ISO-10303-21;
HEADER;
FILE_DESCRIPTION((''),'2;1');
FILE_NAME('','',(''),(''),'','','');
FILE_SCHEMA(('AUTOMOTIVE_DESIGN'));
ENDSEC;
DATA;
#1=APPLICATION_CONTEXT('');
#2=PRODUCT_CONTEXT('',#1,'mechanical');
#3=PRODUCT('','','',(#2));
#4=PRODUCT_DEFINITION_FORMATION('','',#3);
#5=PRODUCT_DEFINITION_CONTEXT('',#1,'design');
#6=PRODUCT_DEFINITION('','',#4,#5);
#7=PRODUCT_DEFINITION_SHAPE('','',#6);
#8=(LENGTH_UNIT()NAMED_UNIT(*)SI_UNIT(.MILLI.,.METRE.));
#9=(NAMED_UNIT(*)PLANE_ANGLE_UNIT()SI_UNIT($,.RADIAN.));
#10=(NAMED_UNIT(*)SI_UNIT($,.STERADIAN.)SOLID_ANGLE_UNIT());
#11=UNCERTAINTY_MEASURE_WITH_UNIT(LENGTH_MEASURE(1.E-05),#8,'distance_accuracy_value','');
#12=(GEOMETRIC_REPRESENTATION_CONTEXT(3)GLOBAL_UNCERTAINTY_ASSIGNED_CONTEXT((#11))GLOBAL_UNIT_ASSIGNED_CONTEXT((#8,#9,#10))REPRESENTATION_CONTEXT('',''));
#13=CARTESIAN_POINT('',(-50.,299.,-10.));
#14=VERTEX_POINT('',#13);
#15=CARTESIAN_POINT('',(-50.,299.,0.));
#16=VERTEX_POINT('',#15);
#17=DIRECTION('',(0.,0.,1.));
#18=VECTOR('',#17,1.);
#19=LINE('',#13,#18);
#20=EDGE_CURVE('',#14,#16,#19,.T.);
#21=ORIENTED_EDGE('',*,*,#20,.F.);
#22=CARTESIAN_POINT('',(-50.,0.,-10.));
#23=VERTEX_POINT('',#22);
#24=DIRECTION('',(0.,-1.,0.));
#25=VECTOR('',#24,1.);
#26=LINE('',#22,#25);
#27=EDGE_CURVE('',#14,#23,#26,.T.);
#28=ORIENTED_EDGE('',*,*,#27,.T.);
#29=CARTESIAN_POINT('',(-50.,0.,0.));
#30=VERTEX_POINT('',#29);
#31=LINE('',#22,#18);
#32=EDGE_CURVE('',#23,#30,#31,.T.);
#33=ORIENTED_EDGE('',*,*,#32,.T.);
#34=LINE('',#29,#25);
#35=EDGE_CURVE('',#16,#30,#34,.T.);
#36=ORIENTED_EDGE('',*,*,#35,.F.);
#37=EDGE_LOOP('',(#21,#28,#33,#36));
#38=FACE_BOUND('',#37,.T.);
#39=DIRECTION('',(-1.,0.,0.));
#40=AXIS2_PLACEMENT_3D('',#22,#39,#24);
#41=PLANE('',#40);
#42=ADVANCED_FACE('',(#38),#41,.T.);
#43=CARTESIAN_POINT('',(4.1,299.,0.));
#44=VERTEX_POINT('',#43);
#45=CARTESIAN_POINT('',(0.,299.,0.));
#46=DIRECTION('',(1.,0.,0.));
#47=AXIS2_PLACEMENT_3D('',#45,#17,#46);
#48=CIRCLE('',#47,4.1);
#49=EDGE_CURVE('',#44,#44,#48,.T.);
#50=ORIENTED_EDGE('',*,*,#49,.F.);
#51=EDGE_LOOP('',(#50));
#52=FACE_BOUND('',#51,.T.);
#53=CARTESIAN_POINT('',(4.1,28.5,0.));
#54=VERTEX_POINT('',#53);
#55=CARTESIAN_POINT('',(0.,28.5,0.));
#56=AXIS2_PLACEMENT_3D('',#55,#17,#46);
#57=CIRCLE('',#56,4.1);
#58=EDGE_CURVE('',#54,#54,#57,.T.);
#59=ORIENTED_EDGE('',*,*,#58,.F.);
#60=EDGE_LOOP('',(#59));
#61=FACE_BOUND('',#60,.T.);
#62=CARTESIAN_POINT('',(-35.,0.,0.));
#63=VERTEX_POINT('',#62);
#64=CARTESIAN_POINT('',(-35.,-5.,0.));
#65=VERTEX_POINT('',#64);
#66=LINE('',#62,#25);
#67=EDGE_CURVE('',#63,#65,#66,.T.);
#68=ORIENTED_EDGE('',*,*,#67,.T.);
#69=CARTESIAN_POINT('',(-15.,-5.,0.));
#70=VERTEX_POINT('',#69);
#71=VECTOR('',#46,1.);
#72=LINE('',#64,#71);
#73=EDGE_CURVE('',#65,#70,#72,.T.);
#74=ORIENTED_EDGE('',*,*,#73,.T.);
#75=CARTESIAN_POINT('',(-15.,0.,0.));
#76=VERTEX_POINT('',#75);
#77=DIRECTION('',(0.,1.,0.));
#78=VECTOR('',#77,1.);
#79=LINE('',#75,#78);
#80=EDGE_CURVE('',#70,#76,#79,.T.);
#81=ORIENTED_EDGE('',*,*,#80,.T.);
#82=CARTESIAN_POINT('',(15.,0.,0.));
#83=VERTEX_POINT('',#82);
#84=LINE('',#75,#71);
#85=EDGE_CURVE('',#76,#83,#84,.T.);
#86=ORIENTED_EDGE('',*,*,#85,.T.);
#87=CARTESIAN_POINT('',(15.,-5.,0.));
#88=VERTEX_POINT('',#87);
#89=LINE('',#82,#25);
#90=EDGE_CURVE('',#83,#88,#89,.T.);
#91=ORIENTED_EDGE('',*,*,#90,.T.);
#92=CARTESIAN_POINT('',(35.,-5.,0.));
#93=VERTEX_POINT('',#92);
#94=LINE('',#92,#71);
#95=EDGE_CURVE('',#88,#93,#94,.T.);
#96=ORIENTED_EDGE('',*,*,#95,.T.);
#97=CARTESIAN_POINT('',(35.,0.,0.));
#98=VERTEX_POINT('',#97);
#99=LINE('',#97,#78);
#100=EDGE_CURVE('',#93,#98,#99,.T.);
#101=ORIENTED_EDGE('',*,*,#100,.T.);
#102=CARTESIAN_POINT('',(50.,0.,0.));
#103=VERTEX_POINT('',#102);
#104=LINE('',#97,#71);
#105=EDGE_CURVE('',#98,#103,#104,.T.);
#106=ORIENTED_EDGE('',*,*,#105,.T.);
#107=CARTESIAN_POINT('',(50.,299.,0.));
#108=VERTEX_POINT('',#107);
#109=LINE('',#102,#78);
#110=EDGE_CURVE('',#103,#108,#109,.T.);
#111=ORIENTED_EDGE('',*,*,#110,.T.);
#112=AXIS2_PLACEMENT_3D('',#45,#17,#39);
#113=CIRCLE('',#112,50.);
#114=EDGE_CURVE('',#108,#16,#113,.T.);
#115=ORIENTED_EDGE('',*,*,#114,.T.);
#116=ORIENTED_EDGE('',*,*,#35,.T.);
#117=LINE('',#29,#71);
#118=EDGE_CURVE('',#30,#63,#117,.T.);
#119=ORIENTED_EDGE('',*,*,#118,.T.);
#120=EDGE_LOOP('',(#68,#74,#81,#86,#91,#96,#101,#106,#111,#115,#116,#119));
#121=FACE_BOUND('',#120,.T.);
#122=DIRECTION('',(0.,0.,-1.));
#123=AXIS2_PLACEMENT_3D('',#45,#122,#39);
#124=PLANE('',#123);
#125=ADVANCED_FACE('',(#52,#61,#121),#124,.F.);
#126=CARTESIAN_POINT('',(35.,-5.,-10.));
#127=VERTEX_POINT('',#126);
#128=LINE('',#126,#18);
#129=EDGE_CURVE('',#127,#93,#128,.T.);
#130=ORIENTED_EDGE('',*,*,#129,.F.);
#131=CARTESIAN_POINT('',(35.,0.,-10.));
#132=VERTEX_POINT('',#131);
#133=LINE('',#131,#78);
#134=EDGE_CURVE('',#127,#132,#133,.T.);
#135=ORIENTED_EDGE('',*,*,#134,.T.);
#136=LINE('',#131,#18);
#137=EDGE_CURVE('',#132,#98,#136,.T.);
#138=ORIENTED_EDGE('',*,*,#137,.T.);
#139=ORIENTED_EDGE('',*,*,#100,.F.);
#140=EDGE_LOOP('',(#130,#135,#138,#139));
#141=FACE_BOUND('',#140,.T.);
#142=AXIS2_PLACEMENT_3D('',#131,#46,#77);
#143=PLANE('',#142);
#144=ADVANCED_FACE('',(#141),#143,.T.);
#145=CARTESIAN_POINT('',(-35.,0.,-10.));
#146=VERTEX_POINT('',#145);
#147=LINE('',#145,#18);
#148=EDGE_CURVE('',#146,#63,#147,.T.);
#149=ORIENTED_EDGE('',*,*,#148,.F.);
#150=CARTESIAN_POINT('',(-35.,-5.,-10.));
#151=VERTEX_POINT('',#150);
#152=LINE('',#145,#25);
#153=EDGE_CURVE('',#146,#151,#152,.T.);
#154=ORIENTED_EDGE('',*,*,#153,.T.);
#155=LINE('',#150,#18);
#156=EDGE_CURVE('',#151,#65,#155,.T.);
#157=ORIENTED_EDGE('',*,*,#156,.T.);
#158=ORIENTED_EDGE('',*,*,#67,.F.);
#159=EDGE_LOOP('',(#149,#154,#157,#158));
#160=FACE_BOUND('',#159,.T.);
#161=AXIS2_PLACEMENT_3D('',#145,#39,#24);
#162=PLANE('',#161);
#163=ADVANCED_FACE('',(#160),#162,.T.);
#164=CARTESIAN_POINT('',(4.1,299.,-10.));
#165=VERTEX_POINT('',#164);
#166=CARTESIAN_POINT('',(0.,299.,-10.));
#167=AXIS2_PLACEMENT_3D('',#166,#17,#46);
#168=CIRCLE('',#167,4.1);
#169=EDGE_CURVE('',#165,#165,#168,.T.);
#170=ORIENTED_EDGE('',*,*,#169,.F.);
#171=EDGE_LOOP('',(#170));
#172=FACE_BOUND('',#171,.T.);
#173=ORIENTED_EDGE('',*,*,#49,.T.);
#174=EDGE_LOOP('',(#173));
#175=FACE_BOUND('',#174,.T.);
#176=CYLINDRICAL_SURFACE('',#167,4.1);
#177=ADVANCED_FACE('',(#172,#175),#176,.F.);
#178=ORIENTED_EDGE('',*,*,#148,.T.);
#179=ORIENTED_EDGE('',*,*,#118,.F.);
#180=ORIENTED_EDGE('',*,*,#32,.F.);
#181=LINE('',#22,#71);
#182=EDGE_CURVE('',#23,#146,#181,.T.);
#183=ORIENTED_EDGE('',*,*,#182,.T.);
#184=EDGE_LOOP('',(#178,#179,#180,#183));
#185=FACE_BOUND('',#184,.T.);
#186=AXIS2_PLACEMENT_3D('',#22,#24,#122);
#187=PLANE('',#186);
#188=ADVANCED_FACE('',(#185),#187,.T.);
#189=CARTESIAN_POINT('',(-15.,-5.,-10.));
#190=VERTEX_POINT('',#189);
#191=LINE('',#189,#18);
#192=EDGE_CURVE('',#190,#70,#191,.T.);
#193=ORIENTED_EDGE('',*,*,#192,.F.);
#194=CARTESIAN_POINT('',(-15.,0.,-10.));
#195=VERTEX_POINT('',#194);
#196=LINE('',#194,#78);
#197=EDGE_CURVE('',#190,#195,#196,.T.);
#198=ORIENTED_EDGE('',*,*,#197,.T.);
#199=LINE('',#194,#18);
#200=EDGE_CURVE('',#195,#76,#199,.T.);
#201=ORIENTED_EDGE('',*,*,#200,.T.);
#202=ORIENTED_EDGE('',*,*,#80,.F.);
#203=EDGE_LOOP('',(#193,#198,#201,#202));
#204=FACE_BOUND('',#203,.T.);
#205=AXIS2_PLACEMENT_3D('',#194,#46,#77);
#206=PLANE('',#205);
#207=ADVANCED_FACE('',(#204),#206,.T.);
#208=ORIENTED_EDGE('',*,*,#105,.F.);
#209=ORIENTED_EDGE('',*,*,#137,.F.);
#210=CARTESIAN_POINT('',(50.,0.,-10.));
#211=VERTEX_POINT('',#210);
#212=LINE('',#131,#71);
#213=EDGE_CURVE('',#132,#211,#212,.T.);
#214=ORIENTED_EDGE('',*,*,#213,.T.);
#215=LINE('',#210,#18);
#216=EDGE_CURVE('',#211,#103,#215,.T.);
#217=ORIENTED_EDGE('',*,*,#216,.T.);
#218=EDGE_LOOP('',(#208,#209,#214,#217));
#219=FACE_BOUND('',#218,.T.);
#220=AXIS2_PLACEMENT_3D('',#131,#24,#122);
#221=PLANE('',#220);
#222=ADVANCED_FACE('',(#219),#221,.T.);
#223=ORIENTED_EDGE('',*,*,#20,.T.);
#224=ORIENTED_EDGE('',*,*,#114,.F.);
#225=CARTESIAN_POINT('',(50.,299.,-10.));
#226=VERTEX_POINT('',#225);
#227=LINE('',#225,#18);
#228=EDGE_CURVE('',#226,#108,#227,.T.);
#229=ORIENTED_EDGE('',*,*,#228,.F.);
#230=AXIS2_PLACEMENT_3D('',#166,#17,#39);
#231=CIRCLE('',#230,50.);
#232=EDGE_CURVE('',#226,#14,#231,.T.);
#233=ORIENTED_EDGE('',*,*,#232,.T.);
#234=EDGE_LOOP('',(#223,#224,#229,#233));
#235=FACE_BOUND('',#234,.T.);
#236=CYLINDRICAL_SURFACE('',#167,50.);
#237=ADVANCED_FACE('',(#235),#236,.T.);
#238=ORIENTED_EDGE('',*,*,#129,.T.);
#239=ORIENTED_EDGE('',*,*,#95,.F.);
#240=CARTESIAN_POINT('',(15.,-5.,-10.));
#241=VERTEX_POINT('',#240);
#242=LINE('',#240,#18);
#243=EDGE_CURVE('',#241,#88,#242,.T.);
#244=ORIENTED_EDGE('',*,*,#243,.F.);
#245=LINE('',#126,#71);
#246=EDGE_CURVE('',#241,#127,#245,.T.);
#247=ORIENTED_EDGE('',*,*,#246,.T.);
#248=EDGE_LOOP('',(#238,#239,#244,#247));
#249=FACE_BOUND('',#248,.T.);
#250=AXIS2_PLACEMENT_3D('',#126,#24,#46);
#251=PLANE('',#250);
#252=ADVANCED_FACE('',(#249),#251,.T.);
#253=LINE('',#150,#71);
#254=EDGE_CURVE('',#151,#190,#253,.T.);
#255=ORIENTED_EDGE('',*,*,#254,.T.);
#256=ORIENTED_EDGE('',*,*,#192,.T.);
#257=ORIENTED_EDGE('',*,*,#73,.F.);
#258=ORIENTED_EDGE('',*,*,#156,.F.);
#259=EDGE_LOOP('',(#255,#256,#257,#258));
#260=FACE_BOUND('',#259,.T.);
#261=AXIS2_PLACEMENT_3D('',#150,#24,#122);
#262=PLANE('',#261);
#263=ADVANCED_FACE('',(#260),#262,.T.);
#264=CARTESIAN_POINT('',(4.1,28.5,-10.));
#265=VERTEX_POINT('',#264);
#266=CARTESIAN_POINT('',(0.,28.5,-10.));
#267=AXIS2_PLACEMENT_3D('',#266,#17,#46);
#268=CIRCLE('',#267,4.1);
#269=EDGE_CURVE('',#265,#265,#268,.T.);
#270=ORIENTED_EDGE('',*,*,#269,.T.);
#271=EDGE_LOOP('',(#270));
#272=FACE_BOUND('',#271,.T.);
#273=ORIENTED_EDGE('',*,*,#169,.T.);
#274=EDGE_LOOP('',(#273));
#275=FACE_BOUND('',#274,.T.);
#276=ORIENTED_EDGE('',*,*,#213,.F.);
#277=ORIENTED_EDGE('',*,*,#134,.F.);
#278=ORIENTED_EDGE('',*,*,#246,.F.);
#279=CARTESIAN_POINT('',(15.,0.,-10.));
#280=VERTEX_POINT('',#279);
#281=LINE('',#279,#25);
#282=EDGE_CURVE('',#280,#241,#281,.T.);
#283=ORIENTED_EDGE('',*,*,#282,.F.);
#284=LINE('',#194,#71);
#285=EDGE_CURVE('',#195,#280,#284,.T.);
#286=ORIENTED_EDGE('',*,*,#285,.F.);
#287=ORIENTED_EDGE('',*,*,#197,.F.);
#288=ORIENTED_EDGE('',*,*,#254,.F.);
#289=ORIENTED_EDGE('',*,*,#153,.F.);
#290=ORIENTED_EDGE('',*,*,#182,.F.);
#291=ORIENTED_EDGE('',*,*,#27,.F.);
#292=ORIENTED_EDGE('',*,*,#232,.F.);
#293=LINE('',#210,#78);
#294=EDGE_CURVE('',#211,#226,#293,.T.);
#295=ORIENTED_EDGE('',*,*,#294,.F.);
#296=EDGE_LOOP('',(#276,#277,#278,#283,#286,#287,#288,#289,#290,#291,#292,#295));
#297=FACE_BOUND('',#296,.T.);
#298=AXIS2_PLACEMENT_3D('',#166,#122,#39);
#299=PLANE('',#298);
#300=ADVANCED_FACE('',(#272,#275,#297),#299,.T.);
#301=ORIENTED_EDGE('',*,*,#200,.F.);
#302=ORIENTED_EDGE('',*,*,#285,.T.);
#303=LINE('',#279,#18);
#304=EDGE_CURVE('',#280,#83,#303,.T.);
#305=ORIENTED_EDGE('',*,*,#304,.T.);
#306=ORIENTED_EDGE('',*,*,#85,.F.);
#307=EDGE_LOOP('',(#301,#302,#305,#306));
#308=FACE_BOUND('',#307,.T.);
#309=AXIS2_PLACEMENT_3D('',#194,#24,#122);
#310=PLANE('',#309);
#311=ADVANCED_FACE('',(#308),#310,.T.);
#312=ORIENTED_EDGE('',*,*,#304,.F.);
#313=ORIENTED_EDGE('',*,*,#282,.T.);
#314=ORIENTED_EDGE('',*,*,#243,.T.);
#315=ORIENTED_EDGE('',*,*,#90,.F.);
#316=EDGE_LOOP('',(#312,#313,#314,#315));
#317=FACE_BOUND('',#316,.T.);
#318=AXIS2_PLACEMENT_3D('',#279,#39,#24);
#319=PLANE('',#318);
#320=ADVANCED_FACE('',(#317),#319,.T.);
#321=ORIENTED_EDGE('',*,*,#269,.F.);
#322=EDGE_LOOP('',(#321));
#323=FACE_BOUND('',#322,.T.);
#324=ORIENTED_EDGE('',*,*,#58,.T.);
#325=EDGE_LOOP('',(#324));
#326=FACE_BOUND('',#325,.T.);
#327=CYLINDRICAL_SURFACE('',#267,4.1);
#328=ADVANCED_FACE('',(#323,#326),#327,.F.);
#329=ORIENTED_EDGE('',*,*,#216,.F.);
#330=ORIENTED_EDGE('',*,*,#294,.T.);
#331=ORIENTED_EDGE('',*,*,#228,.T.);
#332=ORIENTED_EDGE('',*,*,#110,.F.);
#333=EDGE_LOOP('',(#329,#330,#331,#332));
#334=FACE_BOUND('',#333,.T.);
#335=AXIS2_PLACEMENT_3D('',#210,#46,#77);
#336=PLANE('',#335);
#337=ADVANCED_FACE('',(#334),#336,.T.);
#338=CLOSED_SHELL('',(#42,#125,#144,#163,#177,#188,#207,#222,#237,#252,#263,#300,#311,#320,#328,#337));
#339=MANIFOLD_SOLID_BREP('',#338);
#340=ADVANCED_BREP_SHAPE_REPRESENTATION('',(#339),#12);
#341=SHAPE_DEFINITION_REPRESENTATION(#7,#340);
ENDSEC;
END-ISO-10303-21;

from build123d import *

# Parameters (mm, degrees)
SKETCH_1_R      = 4.1
EXTRUDE_1_DEPTH = 10


with BuildPart() as part:
    # 草圖1 → 填料-伸長1 (new body)
    with BuildSketch(Plane.XY):
        with BuildLine():
            Line((-50, 0), (-35, 0))
            Line((-35, 0), (-35, -5))
            Line((-35, -5), (-15, -5))
            Line((-15, -5), (-15, 0))
            Line((-15, 0), (15, 0))
            Line((15, 0), (15, -5))
            Line((15, -5), (35, -5))
            Line((35, -5), (35, 0))
            Line((35, 0), (50, 0))
            Line((50, 0), (50, 299))
            ThreePointArc((50, 299), (0, 349), (-50, 299))
            Line((-50, 299), (-50, 0))
        make_face()
        with Locations((0, 299)):
            Circle(SKETCH_1_R, mode=Mode.SUBTRACT)
        with Locations((0, 28.5)):
            Circle(SKETCH_1_R, mode=Mode.SUBTRACT)
    extrude(amount=-EXTRUDE_1_DEPTH)


solid = part.part
